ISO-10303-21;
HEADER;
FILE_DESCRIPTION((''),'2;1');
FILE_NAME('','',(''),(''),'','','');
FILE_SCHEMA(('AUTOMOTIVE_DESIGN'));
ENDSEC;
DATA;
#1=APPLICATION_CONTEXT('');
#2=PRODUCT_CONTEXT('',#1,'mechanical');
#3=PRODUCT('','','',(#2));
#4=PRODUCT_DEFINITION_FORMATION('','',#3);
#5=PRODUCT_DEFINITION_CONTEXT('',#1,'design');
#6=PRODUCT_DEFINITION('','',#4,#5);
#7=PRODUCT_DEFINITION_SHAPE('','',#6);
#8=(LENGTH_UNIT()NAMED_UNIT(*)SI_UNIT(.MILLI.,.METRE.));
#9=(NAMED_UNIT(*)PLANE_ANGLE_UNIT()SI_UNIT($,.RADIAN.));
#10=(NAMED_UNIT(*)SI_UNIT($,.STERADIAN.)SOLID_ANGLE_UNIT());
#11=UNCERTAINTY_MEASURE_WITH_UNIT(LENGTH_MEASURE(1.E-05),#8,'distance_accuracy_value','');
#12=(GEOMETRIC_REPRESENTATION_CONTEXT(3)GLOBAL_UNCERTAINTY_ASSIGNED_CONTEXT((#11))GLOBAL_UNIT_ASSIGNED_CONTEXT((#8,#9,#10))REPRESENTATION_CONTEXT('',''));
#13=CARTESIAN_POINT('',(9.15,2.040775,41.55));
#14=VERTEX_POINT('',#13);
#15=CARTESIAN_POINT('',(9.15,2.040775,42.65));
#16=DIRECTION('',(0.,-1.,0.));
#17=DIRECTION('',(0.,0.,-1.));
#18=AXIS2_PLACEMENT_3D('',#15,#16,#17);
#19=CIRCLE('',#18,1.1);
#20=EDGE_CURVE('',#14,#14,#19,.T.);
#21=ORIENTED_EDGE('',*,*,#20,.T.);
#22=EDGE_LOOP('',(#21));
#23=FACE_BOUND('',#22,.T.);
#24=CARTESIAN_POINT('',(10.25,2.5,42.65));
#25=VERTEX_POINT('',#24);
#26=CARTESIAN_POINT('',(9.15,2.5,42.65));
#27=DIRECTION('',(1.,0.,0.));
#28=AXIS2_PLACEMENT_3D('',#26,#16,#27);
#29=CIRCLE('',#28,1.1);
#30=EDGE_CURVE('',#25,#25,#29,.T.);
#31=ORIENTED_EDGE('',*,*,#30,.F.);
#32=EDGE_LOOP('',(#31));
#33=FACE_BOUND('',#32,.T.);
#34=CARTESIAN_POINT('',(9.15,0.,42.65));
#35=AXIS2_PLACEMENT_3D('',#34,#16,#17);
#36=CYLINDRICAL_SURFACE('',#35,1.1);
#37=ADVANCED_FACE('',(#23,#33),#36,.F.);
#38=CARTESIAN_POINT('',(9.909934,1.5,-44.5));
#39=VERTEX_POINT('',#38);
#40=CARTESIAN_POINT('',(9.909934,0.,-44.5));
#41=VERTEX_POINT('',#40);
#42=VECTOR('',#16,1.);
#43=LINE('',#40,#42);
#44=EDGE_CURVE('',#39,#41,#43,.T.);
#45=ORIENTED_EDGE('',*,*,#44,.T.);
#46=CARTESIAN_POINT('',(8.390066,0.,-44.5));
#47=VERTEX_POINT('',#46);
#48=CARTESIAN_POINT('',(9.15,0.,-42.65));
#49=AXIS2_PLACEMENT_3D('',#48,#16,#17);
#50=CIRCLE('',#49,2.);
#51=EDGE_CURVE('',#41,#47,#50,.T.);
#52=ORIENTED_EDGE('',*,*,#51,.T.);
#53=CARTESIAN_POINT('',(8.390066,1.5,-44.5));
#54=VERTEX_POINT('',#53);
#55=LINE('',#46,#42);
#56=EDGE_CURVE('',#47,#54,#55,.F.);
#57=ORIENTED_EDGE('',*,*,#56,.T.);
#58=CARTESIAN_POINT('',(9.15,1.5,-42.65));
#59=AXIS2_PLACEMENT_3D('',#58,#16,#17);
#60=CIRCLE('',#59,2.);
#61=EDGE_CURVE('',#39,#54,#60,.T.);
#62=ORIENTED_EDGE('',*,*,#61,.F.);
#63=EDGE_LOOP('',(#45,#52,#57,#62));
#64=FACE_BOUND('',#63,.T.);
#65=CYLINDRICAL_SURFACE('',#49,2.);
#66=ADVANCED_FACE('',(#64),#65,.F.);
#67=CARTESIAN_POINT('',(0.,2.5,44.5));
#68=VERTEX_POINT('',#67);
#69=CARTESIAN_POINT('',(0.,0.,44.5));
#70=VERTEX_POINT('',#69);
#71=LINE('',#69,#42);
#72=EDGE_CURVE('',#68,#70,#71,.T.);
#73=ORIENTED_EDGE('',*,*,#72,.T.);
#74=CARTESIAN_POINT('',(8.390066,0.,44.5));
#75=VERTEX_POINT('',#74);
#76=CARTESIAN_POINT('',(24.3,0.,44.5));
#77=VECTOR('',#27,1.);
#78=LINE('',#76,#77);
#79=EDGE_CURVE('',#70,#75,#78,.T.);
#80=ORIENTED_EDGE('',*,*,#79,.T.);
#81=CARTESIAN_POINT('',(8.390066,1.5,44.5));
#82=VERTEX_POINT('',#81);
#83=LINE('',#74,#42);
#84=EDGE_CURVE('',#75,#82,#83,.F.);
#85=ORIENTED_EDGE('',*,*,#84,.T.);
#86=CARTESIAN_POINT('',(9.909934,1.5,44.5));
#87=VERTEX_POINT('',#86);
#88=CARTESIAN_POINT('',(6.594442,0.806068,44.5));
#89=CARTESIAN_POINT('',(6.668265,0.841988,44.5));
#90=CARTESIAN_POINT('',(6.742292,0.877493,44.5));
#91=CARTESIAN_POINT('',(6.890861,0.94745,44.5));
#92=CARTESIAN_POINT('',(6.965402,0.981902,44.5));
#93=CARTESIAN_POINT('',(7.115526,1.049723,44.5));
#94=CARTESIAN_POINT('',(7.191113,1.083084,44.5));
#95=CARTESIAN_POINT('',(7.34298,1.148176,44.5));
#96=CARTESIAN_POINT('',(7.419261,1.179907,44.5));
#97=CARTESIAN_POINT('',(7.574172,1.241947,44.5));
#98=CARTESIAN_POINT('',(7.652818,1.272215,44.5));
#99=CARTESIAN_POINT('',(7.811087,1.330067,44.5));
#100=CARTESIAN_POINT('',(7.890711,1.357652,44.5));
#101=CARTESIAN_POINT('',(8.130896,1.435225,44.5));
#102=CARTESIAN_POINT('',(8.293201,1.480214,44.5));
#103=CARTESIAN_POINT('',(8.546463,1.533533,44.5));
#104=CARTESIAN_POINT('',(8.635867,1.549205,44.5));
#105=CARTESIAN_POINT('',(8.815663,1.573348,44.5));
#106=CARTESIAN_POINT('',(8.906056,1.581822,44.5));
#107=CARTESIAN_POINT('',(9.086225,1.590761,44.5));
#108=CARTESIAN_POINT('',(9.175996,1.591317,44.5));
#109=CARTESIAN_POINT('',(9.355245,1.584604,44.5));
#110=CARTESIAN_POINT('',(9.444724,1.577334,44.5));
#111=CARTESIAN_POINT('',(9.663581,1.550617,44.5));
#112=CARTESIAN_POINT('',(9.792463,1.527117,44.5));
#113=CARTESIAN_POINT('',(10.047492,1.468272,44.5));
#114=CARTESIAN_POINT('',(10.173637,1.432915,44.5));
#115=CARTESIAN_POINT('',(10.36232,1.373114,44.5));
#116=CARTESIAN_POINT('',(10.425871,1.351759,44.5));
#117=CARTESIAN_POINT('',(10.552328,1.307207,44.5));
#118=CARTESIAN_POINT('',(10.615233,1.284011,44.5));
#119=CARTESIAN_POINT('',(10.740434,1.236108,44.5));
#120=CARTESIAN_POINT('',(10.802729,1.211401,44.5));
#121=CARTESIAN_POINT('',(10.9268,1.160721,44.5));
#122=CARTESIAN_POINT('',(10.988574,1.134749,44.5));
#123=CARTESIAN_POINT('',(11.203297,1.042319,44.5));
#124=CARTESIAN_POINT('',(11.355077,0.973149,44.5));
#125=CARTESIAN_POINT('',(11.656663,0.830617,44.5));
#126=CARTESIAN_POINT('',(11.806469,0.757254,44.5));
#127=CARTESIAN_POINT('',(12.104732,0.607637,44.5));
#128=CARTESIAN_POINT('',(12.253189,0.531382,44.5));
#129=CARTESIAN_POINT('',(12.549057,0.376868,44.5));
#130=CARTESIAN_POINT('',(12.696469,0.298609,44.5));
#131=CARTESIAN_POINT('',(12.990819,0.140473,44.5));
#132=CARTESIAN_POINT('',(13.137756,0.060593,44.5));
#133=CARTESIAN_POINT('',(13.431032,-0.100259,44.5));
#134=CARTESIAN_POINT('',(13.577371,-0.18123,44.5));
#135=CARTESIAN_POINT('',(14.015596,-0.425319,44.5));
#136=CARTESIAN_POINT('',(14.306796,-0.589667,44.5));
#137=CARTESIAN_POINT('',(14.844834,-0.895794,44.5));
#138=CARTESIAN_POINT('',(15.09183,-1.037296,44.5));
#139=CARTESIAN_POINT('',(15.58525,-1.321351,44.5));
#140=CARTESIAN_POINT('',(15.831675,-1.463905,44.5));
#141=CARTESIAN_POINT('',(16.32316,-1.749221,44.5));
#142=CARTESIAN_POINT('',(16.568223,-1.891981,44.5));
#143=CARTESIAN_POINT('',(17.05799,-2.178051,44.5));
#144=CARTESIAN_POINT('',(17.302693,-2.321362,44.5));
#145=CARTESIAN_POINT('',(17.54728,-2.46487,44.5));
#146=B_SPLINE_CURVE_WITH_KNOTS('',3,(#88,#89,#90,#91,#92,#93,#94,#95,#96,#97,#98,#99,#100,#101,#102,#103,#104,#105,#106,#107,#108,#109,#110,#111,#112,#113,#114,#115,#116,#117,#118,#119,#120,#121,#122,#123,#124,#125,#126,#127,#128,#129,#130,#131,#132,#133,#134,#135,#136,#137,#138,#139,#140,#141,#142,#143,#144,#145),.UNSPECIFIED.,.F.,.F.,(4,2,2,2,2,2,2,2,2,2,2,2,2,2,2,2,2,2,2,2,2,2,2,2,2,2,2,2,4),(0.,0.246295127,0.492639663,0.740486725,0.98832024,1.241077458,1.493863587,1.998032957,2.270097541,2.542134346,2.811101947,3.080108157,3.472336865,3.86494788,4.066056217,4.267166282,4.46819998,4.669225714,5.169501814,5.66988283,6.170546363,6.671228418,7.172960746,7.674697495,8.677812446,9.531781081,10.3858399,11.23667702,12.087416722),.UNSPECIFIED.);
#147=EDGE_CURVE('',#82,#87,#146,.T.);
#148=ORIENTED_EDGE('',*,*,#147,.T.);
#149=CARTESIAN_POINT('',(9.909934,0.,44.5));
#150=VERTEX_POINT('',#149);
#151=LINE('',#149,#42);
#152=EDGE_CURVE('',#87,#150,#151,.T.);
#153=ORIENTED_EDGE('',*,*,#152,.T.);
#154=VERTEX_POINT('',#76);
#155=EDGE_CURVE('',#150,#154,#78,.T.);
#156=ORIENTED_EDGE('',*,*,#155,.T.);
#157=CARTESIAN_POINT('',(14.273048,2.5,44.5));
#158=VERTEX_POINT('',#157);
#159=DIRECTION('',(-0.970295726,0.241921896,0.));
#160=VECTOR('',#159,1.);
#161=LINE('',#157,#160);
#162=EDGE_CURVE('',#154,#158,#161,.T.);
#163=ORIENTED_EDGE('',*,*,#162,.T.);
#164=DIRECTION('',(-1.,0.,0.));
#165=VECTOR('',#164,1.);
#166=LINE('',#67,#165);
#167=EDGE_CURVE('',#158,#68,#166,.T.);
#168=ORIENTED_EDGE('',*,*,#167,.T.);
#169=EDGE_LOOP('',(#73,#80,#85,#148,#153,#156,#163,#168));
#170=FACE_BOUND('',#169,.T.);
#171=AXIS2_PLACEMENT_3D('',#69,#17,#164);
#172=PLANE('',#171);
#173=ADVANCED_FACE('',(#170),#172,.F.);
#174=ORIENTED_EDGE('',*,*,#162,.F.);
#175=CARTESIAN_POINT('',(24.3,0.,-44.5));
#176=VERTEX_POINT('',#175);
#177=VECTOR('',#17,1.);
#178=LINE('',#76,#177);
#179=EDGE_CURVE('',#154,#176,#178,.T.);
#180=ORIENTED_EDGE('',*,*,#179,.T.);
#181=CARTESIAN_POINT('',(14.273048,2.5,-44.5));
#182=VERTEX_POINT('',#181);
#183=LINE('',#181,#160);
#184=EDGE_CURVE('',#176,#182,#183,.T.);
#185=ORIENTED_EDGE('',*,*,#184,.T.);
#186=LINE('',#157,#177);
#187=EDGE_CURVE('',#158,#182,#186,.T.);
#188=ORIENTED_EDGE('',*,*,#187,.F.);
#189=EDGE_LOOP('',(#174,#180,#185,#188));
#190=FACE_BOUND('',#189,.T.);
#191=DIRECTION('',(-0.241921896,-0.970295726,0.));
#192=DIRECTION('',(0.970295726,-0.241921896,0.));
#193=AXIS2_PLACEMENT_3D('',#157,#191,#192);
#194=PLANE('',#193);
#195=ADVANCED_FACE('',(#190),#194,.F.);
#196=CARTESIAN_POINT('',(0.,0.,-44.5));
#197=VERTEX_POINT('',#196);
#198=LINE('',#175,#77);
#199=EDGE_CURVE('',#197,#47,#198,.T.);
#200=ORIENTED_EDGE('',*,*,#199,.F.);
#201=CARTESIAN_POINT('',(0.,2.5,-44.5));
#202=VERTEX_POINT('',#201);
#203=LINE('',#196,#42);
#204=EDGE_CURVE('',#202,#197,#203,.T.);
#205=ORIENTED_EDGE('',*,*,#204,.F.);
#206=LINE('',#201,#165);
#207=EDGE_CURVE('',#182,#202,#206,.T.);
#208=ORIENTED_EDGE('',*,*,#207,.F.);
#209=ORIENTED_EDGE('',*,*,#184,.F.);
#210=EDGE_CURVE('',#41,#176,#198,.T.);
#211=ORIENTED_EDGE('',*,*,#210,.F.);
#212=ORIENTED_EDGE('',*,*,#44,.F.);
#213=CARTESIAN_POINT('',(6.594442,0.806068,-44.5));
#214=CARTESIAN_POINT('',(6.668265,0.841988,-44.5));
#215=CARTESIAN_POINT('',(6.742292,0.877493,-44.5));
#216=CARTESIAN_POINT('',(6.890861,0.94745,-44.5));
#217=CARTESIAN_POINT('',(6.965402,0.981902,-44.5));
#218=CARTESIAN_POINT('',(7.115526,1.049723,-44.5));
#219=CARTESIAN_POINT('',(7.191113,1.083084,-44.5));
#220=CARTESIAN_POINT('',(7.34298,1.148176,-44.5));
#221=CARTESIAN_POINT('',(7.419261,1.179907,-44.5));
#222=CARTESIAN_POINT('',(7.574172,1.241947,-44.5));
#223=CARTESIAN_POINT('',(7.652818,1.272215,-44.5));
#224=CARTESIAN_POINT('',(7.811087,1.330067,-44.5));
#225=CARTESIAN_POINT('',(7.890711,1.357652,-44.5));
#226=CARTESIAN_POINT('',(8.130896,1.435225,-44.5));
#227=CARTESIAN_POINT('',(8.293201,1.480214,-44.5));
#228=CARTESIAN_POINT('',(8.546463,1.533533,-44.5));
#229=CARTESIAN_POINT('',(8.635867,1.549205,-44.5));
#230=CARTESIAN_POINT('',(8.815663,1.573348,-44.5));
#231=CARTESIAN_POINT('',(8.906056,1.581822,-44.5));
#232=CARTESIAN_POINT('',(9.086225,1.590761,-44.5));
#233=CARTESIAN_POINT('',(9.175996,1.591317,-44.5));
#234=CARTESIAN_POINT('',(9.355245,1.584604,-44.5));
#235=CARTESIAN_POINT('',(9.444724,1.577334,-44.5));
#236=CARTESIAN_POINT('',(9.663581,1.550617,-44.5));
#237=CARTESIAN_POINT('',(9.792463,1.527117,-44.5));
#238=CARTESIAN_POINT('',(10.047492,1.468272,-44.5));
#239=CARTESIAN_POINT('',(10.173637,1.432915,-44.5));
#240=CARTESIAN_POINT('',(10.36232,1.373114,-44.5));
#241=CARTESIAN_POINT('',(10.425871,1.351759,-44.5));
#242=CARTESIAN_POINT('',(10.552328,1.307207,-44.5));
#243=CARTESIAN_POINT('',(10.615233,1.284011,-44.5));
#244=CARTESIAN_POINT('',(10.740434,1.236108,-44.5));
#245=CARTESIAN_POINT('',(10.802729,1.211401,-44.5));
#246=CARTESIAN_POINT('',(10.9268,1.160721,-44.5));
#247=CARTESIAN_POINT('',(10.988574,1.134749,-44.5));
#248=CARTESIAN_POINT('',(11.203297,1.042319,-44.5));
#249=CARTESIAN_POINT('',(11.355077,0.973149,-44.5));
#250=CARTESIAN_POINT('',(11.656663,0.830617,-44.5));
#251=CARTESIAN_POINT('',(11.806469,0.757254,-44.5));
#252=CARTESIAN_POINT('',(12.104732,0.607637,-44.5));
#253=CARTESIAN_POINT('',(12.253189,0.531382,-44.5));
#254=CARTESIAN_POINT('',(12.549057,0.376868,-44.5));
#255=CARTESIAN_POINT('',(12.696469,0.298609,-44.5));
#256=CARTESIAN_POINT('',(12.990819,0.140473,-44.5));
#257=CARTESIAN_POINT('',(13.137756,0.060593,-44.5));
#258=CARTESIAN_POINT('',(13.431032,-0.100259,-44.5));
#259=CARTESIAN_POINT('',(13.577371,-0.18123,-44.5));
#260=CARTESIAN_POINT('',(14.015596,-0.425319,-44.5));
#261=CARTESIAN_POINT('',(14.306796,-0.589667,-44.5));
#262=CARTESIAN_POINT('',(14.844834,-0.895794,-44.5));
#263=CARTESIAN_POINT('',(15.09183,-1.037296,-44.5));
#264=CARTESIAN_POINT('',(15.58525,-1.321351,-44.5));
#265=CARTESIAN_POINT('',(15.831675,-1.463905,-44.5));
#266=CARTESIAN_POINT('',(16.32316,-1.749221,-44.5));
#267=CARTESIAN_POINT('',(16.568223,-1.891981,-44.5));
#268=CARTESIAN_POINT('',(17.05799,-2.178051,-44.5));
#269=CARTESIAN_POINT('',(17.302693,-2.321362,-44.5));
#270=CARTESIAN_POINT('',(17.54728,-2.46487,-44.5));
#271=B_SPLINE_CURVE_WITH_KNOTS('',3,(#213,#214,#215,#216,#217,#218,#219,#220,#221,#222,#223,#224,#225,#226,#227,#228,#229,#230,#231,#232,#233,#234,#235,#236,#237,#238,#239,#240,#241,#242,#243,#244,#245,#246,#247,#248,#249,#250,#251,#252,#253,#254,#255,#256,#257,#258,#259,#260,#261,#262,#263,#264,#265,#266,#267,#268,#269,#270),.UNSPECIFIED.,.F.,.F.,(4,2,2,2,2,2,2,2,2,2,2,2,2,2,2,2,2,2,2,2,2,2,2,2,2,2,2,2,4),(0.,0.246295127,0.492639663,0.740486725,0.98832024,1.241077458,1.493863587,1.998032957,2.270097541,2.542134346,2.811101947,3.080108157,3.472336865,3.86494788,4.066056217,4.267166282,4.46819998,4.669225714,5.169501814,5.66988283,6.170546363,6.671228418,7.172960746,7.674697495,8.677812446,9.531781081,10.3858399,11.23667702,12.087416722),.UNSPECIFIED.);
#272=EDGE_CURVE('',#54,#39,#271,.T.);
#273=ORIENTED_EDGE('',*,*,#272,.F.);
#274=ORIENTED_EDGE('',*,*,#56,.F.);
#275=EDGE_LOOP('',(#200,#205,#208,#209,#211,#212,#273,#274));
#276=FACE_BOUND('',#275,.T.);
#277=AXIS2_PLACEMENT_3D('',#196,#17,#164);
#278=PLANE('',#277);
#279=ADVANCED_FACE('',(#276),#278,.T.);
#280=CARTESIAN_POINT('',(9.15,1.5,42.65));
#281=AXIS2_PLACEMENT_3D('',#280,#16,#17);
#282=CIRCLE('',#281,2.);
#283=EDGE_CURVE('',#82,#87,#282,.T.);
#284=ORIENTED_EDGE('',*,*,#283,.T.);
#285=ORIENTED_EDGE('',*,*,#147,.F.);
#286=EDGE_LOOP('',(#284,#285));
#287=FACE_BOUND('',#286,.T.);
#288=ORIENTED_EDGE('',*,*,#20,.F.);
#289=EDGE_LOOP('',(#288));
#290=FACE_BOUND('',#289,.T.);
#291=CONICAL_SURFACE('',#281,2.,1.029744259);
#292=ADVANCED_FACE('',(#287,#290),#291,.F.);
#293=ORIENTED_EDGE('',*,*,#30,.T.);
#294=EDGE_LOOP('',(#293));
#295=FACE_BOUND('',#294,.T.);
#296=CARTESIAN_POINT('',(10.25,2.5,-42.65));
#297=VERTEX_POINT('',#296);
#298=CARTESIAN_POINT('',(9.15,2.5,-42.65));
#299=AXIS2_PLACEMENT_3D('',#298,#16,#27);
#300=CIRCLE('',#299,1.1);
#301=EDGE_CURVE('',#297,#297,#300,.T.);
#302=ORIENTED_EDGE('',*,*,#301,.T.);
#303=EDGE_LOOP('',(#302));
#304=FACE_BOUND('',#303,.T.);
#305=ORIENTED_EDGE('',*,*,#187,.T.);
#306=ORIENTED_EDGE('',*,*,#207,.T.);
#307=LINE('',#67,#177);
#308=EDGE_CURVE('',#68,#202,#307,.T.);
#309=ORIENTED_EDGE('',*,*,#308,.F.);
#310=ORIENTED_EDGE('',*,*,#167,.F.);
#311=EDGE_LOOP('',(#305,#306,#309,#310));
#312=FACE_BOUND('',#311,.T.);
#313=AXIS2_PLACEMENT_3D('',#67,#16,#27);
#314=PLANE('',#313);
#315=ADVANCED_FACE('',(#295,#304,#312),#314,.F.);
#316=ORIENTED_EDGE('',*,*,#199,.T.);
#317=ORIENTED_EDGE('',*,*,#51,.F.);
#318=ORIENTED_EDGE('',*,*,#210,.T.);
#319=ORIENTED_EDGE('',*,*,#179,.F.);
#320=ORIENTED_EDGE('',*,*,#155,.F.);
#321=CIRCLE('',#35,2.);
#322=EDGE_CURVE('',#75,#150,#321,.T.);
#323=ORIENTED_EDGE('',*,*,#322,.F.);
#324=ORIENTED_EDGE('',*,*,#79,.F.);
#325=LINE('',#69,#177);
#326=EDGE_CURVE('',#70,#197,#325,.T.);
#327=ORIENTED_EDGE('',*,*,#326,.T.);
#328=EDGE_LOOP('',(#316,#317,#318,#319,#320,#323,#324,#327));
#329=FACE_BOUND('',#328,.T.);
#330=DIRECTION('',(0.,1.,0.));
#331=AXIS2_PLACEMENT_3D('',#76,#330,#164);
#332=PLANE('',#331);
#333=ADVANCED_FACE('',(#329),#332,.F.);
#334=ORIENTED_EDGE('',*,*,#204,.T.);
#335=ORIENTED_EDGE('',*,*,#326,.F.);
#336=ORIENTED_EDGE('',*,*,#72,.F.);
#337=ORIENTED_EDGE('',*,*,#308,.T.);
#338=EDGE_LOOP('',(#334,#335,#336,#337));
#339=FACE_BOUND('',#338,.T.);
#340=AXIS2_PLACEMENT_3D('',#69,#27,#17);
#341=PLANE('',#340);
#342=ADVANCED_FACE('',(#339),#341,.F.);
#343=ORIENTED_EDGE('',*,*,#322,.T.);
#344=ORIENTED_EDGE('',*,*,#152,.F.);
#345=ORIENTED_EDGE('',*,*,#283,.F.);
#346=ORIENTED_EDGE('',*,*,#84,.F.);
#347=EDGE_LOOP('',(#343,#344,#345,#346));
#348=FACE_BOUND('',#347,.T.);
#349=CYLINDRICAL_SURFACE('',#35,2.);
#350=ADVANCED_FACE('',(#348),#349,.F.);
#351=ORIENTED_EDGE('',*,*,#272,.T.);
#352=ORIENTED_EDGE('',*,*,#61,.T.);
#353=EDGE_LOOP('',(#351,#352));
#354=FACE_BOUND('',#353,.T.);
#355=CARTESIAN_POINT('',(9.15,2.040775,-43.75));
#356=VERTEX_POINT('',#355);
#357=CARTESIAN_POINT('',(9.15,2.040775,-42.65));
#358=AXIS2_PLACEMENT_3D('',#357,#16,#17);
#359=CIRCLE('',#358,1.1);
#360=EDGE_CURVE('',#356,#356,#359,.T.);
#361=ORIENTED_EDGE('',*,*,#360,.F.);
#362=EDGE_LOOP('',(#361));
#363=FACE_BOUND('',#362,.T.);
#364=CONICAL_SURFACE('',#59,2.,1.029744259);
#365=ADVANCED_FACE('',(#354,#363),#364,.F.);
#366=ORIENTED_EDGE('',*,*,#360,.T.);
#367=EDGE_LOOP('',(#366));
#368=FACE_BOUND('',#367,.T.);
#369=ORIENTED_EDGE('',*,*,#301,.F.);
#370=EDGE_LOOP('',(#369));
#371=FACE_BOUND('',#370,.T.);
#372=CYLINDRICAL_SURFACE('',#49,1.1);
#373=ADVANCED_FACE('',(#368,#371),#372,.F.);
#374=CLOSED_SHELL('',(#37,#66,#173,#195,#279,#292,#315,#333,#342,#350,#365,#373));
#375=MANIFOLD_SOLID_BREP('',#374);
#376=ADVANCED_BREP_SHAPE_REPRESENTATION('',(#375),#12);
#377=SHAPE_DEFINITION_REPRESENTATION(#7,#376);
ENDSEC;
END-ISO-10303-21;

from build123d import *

# Parameters (mm, degrees)
BOSS_EXTRUDE1_DEPTH = 44.5
HOLEWZD2_AT_2_COUNT = 2
HOLEWZD2_AT_2_PITCH = 85.3


with BuildPart() as part:
    # Sketch1 → Boss-Extrude1 (new, symmetric)
    with BuildSketch(Plane.XY):
        Polygon((0, 0), (0, 2.5), (14.273047666, 2.5), (24.3, 0), align=None)
    extrude(amount=BOSS_EXTRUDE1_DEPTH, both=True)

    # Sketch6 → HoleWzd2 (revolve, cut)
    with BuildSketch(Plane(origin=(9.15, 0, 42.65), x_dir=(0, 0, -1), z_dir=(1, 0, 0))):
        Polygon((0, 0), (0, 2.5), (1.1, 2.5), (1.1, 2.040774557), (2, 1.5), (2, 0), align=None)
    holewzd2 = revolve(axis=Axis((9.15, -6.130023899, 42.65), (0, 1, 0)), mode=Mode.SUBTRACT)

    # HoleWzd2 at 2: HoleWzd2 ×2
    with Locations(*[(0, 0, -i * HOLEWZD2_AT_2_PITCH) for i in range(1, HOLEWZD2_AT_2_COUNT)]):
        add(holewzd2, mode=Mode.SUBTRACT)


solid = part.part
